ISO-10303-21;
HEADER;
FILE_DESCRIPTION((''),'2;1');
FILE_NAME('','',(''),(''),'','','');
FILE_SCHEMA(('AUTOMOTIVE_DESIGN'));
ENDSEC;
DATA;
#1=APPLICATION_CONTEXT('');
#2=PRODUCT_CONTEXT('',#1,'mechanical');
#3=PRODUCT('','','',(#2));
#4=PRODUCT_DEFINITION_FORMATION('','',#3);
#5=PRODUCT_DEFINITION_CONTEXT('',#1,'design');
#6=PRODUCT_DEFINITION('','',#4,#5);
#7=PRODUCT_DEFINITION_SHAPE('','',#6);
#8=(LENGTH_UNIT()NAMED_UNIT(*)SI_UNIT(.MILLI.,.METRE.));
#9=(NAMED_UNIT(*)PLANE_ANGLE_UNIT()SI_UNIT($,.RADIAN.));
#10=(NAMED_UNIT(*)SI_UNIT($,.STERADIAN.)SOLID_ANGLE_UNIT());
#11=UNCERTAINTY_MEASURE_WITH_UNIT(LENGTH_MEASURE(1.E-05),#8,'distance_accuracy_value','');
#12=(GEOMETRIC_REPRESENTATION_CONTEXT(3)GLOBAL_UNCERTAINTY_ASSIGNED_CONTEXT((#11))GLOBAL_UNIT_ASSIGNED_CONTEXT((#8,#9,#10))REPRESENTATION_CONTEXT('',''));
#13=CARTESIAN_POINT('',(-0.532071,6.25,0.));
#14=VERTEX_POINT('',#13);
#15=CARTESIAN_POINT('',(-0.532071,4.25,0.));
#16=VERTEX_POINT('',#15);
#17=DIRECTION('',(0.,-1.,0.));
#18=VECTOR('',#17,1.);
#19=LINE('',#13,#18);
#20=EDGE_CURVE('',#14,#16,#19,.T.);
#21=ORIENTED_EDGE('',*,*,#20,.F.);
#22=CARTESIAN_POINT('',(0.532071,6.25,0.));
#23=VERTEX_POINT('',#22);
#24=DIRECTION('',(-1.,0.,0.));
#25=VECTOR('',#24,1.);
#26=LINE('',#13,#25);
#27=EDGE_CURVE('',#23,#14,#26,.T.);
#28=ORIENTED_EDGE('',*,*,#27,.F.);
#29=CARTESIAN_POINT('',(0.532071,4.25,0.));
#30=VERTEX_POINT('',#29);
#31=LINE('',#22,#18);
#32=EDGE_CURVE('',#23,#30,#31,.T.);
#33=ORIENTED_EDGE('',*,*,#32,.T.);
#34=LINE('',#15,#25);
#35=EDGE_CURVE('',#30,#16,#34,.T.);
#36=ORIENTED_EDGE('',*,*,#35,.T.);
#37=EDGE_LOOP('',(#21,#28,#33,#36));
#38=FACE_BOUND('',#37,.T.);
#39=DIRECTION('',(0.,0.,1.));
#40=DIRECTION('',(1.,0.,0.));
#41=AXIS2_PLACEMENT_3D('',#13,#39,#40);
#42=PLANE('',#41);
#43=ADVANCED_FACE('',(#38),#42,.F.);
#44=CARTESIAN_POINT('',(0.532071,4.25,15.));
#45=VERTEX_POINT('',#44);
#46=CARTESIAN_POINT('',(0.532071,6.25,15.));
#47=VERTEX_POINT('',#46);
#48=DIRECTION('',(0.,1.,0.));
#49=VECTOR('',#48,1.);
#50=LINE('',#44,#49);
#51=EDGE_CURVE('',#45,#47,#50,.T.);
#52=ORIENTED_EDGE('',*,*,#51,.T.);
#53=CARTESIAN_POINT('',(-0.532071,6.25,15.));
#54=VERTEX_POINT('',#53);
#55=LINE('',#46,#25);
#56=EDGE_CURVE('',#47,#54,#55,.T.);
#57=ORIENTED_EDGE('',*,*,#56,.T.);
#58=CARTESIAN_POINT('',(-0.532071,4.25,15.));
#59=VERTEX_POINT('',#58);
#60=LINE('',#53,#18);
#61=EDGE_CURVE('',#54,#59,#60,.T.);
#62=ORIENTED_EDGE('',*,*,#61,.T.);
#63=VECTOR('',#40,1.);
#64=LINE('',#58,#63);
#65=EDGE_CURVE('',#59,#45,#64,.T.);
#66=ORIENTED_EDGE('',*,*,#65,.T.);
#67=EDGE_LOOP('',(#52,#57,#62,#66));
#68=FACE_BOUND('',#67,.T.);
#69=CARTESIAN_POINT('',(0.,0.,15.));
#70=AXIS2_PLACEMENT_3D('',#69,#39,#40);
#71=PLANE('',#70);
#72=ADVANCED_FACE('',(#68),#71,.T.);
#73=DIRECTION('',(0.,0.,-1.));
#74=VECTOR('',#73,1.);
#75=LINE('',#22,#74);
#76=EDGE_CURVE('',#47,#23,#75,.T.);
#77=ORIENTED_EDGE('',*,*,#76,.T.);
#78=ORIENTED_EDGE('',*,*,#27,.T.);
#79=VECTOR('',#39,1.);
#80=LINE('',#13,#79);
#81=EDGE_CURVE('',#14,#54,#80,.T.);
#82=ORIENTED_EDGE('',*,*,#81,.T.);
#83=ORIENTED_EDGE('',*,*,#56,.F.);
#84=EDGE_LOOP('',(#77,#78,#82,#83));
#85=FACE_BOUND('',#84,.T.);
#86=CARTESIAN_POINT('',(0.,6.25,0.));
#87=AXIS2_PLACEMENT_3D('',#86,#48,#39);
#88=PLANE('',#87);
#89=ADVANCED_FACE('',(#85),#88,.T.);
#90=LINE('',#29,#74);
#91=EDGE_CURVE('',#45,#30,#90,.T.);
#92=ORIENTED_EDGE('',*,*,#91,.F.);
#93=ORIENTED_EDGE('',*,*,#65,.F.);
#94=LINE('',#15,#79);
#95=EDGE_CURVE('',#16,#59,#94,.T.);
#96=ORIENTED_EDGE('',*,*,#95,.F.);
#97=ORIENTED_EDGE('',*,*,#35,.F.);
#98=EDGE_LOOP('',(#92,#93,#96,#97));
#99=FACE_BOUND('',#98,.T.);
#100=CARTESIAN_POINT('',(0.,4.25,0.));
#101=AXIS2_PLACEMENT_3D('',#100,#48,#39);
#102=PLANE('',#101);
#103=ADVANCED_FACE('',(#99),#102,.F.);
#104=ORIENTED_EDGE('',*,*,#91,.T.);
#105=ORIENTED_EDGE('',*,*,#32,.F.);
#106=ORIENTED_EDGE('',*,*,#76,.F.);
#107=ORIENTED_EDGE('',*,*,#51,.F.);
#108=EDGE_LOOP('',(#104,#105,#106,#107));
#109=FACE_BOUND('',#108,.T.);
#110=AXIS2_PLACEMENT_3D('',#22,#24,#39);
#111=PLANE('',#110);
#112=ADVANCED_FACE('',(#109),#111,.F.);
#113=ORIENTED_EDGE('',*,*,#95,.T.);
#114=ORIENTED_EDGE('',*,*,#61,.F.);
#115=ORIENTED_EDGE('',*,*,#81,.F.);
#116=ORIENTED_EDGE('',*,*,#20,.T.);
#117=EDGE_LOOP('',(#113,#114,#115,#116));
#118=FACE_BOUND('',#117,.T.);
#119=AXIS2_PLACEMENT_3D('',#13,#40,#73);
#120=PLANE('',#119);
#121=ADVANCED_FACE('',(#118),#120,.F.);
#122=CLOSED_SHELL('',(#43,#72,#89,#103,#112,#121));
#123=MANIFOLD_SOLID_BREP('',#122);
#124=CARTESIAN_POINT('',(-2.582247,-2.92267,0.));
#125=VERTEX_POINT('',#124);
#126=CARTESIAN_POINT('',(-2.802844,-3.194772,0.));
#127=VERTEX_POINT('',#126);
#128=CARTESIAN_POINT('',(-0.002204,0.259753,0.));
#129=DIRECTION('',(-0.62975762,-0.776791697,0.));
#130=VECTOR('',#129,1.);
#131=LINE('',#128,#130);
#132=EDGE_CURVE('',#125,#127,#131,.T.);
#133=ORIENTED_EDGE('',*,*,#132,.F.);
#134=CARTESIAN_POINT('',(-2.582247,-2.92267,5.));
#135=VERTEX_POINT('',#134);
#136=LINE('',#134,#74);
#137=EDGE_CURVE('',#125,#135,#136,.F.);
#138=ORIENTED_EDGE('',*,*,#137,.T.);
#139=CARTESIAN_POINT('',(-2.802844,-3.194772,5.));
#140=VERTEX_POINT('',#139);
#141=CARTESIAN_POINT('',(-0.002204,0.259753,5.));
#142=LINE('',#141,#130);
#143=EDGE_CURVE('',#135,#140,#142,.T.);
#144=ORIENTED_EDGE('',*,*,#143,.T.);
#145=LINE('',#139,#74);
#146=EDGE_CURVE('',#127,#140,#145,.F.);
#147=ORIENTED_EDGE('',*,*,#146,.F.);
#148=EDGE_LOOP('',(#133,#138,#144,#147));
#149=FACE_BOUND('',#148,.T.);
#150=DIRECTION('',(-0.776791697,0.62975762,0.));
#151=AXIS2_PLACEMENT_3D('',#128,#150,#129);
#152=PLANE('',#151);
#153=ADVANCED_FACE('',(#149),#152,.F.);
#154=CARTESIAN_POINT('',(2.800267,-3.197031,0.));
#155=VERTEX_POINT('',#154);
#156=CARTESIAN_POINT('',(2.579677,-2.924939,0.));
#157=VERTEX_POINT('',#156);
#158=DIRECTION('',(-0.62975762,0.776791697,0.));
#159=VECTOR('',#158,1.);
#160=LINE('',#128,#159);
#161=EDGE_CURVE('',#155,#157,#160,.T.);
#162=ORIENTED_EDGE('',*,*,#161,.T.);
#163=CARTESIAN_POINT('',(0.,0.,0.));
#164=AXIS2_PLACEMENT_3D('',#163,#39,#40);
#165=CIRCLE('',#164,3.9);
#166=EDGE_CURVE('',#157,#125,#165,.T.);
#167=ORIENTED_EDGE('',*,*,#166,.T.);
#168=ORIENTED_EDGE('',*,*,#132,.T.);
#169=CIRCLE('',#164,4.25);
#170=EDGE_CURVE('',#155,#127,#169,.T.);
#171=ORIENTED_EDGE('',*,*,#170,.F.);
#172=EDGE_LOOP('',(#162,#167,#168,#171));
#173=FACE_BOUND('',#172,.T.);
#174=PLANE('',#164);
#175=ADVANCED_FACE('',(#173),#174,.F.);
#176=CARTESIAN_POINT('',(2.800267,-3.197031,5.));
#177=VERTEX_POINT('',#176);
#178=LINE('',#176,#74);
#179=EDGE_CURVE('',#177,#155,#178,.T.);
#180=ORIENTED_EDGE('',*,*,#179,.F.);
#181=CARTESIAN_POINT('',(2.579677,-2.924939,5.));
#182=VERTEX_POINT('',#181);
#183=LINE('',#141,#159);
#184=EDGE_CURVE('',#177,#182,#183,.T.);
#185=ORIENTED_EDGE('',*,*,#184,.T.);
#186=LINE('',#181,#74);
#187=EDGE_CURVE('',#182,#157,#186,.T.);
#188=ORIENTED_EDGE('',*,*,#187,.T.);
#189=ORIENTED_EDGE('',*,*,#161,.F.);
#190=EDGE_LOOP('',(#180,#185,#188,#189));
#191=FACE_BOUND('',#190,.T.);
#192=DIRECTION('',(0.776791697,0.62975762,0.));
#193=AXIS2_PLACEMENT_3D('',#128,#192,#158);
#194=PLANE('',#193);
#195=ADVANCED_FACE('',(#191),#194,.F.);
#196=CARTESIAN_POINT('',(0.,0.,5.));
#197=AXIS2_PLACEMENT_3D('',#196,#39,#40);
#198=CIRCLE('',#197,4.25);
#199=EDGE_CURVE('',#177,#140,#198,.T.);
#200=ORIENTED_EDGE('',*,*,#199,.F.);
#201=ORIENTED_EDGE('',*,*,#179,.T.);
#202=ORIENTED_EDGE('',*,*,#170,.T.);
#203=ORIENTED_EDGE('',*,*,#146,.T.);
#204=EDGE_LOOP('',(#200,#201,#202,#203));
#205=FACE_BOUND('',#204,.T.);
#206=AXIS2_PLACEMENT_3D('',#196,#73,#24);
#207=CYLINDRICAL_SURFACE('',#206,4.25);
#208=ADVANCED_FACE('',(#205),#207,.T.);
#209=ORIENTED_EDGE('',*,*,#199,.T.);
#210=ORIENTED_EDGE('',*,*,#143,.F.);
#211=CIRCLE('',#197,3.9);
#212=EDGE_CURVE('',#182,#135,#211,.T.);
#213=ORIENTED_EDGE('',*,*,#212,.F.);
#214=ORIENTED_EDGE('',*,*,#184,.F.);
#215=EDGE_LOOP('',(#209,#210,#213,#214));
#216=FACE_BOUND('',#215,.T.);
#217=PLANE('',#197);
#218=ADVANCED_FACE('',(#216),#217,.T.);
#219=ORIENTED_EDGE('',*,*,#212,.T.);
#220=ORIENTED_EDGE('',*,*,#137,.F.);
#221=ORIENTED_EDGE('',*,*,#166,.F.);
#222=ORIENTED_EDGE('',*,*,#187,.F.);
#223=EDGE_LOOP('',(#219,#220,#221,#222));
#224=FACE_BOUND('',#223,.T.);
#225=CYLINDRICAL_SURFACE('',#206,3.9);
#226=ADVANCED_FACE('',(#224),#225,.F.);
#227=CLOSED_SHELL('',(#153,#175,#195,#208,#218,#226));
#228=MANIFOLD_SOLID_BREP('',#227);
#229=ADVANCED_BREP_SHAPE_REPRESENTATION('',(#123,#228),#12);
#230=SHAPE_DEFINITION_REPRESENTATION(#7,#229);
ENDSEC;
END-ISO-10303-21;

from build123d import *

# Parameters (mm, degrees)
SKETCH1_R           = 4.25
SKETCH1_R_2         = 3.9
BOSS_EXTRUDE1_DEPTH = 5
CUT_EXTRUDE4_DEPTH  = 5
SKETCH3_W           = 1.064141482
SKETCH3_H           = 5
BOSS_EXTRUDE2_DEPTH = 2
SKETCH4_W           = 1.064141482
SKETCH4_H           = 2
BOSS_EXTRUDE3_DEPTH = 10


with BuildPart() as part:
    # Sketch1 → Boss-Extrude1 (new body)
    with BuildSketch(Plane.XY):
        Circle(SKETCH1_R)
        Circle(SKETCH1_R_2, mode=Mode.SUBTRACT)
    extrude(amount=BOSS_EXTRUDE1_DEPTH)

    # Sketch2 → Cut-Extrude4 (cut)
    with BuildSketch(Plane.XY.offset(5)):
        with BuildLine():
            Line((-0.002204063, 0.259753333), (-3.852557283, -4.489569771))
            ThreePointArc((-3.852557283, -4.489569771), (-2.297684013, -6.180995378), (-0.002204063, -6.277552461))
            ThreePointArc((-0.002204063, -6.277552461), (2.293275887, -6.180995378), (3.848149157, -4.489569771))
            Line((3.848149157, -4.489569771), (-0.002204063, 0.259753333))
        make_face()
    extrude(amount=-CUT_EXTRUDE4_DEPTH, mode=Mode.SUBTRACT)


with BuildPart() as body_2:
    # Sketch3 → Boss-Extrude2 (new body)
    with BuildSketch(Plane(origin=(0, 4.25, 0), x_dir=(1, 0, 0), z_dir=(0, 1, 0))):
        with Locations((0, -2.5)):
            Rectangle(SKETCH3_W, SKETCH3_H)
    extrude(amount=BOSS_EXTRUDE2_DEPTH)

    # Sketch4 → Boss-Extrude3 (add)
    with BuildSketch(Plane.XY.offset(5)):
        with Locations((0, 5.25)):
            Rectangle(SKETCH4_W, SKETCH4_H)
    extrude(amount=BOSS_EXTRUDE3_DEPTH)


solid = Compound([part.part, body_2.part])
